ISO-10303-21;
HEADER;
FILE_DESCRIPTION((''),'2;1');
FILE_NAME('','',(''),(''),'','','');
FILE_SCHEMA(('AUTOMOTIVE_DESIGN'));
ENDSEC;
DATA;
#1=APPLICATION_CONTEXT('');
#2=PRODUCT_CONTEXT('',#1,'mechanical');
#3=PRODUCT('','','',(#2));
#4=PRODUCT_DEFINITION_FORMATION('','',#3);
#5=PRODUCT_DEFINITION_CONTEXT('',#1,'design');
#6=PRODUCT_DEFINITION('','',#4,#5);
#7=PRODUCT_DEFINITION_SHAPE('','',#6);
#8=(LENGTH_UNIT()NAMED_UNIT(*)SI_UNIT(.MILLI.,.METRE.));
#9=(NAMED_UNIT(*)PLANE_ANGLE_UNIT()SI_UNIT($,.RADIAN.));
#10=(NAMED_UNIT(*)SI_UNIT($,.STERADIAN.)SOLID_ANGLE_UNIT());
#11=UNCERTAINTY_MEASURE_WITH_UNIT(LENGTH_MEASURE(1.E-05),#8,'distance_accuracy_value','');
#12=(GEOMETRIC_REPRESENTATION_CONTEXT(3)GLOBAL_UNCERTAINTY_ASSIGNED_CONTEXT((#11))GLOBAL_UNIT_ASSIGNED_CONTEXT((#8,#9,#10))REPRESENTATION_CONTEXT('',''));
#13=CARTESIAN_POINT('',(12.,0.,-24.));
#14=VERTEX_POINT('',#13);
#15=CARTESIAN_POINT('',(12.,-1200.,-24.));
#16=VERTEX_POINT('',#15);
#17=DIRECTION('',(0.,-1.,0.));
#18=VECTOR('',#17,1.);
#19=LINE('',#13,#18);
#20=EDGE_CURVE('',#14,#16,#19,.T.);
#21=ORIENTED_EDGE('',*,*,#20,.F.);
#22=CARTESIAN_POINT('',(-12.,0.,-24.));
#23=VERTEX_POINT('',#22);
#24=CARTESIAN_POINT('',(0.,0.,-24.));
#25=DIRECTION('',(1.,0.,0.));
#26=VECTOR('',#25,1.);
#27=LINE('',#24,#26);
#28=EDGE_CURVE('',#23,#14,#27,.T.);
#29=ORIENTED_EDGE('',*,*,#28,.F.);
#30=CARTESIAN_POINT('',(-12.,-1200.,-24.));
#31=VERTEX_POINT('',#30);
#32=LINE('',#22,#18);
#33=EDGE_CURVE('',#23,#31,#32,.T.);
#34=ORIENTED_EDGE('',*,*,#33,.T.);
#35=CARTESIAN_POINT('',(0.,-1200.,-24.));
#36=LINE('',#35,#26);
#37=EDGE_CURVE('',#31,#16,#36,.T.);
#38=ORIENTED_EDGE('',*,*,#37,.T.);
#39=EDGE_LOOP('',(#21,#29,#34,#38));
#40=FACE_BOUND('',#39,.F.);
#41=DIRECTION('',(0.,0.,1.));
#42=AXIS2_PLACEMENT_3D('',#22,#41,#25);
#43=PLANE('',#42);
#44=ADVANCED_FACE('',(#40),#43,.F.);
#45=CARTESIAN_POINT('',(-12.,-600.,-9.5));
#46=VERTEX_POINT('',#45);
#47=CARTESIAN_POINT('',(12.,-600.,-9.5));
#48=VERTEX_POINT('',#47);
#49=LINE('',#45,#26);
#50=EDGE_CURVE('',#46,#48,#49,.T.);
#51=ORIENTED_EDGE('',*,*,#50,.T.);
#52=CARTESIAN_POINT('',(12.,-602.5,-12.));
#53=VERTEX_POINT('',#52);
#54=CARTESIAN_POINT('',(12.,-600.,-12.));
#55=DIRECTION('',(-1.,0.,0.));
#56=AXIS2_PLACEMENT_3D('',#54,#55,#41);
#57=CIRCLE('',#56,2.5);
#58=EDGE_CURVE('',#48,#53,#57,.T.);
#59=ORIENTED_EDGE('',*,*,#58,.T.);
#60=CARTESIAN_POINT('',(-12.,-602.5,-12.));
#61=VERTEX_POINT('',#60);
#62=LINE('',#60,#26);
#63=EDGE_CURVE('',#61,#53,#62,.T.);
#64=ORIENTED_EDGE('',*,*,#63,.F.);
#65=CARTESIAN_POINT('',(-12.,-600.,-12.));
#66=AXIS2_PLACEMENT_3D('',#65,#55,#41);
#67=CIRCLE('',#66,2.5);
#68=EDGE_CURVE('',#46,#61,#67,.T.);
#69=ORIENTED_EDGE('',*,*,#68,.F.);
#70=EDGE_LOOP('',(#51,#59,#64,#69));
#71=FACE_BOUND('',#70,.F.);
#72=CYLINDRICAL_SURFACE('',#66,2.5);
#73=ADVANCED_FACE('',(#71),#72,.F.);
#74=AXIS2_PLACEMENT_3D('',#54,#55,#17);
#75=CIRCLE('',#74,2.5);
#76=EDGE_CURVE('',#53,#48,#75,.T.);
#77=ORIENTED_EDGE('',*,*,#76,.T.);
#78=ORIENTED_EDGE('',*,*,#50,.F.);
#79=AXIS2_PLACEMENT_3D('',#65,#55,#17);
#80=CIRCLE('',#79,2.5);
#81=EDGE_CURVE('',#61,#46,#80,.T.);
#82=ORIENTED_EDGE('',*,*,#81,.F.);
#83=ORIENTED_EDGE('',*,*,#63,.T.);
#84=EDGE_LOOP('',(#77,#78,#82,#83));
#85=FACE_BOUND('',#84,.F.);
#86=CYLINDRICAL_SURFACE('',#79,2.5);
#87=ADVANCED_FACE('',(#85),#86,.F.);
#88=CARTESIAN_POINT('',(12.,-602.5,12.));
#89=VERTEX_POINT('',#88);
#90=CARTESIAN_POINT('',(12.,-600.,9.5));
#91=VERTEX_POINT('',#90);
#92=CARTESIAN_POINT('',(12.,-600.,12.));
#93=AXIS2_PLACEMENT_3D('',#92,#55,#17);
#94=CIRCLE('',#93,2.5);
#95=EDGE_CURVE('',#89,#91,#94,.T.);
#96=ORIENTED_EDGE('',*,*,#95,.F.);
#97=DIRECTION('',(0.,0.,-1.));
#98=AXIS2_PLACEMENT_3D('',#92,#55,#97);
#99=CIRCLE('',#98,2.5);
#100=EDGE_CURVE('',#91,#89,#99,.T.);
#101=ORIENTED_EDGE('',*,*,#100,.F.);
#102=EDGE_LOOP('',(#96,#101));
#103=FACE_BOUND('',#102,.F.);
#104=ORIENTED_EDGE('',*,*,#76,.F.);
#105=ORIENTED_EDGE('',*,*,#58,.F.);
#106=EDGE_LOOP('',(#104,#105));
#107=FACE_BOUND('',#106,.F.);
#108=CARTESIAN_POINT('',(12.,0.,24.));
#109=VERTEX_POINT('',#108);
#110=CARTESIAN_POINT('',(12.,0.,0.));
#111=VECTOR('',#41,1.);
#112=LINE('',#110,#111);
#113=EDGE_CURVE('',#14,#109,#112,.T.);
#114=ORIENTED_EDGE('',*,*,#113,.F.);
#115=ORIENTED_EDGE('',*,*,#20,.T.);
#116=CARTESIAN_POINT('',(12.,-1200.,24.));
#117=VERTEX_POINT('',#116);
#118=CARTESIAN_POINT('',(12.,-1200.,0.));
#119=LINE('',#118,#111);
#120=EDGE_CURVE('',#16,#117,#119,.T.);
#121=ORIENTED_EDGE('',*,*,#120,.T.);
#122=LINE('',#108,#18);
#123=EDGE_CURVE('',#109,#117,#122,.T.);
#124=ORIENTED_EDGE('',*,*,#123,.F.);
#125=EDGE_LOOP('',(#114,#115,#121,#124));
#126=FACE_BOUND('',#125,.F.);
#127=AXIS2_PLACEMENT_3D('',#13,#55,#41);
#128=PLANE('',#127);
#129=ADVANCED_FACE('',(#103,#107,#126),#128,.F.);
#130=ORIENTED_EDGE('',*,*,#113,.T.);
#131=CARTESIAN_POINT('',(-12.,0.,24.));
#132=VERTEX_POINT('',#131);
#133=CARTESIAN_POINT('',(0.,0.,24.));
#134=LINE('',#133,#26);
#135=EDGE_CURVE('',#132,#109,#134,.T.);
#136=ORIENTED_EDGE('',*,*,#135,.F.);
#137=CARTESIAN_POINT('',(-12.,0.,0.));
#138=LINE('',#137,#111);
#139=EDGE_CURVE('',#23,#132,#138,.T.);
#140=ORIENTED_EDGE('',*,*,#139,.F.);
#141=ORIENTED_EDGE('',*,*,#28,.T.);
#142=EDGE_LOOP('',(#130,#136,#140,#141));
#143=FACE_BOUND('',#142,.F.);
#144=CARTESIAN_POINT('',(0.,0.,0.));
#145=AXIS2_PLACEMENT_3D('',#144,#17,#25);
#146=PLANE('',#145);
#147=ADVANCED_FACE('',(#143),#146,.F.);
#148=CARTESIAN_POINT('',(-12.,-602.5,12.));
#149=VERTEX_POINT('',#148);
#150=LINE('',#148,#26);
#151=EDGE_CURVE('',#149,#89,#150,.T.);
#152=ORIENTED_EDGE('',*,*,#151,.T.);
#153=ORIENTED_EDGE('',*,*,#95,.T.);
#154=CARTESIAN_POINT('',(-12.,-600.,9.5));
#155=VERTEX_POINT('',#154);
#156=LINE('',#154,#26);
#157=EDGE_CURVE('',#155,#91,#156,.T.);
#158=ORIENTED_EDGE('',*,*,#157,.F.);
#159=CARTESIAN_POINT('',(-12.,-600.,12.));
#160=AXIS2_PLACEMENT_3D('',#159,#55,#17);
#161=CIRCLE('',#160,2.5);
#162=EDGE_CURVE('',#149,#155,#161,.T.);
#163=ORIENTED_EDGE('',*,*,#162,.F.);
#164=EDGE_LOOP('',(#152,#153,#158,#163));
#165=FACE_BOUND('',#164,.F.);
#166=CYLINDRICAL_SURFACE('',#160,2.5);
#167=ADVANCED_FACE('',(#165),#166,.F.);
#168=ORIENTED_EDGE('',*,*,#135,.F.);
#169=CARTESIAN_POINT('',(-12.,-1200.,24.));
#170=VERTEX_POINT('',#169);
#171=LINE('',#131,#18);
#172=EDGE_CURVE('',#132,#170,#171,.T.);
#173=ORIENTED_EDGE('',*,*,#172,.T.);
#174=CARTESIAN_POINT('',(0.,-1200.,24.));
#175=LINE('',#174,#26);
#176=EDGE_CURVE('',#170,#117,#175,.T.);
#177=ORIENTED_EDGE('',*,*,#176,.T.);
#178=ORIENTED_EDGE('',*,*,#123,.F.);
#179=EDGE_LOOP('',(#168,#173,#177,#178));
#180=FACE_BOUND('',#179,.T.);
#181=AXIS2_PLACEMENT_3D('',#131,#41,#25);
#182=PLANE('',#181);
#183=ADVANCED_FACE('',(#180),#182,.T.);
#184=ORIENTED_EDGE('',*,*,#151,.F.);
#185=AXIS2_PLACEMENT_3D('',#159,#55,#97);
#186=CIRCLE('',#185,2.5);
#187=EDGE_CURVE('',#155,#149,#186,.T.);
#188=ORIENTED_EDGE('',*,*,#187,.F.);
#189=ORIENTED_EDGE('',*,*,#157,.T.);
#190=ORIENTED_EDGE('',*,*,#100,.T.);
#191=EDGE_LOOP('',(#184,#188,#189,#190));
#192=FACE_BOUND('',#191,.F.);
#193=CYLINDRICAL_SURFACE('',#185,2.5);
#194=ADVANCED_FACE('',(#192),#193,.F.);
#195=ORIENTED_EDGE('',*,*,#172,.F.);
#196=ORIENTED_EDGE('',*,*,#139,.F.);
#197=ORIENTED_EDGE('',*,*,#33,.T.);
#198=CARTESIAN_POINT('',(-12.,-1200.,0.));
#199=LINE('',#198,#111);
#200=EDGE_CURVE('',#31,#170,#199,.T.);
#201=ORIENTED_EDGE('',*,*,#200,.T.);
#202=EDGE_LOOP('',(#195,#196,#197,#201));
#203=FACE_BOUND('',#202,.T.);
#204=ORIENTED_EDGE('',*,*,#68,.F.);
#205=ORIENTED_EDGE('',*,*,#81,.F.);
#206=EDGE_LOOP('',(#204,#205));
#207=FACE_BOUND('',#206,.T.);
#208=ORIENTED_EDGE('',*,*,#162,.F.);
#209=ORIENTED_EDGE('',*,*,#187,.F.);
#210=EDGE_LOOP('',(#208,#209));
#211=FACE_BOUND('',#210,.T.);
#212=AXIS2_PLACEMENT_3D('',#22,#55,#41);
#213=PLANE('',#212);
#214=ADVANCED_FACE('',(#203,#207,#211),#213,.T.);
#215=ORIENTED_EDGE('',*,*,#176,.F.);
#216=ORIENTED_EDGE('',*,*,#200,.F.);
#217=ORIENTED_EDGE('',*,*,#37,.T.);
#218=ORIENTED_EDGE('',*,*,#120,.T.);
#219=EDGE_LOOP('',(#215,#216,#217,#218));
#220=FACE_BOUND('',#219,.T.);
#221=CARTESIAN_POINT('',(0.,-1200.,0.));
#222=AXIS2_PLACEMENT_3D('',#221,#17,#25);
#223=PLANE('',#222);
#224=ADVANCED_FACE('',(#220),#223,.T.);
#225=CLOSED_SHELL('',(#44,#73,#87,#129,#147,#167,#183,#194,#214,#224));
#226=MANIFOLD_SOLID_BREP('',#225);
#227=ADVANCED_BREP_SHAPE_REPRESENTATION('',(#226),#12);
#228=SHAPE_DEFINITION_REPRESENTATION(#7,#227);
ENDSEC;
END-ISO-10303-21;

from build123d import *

# Parameters (mm, degrees)
F2_W     = 24
F2_H     = 48
F3_DEPTH = 1200
F5_DEPTH = 24


with BuildPart() as f3:
    # F2 (on Front) → F3 (new body)
    with BuildSketch(Plane.XZ):
        Rectangle(F2_W, F2_H)
    extrude(amount=F3_DEPTH)

    # F4 (on face) → F5 (cut)
    with BuildSketch(Plane(origin=(-12, 0, 0), x_dir=(0, -1, 0), z_dir=(-1, 0, 0))):
        with BuildLine():
            ThreePointArc((1402.5, 12), (1398.232233047, 13.767766953), (1400, 9.5))
            ThreePointArc((1400, 9.5), (1401.767766953, 10.232233047), (1402.5, 12))
        make_face()
        with BuildLine():
            ThreePointArc((1402.5, -12), (1401.767766953, -10.232233047), (1400, -9.5))
            ThreePointArc((1400, -9.5), (1398.232233047, -13.767766953), (1402.5, -12))
        make_face()
        with BuildLine():
            ThreePointArc((602.5, -12), (601.767766953, -10.232233047), (600, -9.5))
            ThreePointArc((600, -9.5), (598.232233047, -13.767766953), (602.5, -12))
        make_face()
        with BuildLine():
            ThreePointArc((602.5, 12), (598.232233047, 13.767766953), (600, 9.5))
            ThreePointArc((600, 9.5), (601.767766953, 10.232233047), (602.5, 12))
        make_face()
    extrude(amount=-F5_DEPTH, mode=Mode.SUBTRACT)


solid = f3.part
